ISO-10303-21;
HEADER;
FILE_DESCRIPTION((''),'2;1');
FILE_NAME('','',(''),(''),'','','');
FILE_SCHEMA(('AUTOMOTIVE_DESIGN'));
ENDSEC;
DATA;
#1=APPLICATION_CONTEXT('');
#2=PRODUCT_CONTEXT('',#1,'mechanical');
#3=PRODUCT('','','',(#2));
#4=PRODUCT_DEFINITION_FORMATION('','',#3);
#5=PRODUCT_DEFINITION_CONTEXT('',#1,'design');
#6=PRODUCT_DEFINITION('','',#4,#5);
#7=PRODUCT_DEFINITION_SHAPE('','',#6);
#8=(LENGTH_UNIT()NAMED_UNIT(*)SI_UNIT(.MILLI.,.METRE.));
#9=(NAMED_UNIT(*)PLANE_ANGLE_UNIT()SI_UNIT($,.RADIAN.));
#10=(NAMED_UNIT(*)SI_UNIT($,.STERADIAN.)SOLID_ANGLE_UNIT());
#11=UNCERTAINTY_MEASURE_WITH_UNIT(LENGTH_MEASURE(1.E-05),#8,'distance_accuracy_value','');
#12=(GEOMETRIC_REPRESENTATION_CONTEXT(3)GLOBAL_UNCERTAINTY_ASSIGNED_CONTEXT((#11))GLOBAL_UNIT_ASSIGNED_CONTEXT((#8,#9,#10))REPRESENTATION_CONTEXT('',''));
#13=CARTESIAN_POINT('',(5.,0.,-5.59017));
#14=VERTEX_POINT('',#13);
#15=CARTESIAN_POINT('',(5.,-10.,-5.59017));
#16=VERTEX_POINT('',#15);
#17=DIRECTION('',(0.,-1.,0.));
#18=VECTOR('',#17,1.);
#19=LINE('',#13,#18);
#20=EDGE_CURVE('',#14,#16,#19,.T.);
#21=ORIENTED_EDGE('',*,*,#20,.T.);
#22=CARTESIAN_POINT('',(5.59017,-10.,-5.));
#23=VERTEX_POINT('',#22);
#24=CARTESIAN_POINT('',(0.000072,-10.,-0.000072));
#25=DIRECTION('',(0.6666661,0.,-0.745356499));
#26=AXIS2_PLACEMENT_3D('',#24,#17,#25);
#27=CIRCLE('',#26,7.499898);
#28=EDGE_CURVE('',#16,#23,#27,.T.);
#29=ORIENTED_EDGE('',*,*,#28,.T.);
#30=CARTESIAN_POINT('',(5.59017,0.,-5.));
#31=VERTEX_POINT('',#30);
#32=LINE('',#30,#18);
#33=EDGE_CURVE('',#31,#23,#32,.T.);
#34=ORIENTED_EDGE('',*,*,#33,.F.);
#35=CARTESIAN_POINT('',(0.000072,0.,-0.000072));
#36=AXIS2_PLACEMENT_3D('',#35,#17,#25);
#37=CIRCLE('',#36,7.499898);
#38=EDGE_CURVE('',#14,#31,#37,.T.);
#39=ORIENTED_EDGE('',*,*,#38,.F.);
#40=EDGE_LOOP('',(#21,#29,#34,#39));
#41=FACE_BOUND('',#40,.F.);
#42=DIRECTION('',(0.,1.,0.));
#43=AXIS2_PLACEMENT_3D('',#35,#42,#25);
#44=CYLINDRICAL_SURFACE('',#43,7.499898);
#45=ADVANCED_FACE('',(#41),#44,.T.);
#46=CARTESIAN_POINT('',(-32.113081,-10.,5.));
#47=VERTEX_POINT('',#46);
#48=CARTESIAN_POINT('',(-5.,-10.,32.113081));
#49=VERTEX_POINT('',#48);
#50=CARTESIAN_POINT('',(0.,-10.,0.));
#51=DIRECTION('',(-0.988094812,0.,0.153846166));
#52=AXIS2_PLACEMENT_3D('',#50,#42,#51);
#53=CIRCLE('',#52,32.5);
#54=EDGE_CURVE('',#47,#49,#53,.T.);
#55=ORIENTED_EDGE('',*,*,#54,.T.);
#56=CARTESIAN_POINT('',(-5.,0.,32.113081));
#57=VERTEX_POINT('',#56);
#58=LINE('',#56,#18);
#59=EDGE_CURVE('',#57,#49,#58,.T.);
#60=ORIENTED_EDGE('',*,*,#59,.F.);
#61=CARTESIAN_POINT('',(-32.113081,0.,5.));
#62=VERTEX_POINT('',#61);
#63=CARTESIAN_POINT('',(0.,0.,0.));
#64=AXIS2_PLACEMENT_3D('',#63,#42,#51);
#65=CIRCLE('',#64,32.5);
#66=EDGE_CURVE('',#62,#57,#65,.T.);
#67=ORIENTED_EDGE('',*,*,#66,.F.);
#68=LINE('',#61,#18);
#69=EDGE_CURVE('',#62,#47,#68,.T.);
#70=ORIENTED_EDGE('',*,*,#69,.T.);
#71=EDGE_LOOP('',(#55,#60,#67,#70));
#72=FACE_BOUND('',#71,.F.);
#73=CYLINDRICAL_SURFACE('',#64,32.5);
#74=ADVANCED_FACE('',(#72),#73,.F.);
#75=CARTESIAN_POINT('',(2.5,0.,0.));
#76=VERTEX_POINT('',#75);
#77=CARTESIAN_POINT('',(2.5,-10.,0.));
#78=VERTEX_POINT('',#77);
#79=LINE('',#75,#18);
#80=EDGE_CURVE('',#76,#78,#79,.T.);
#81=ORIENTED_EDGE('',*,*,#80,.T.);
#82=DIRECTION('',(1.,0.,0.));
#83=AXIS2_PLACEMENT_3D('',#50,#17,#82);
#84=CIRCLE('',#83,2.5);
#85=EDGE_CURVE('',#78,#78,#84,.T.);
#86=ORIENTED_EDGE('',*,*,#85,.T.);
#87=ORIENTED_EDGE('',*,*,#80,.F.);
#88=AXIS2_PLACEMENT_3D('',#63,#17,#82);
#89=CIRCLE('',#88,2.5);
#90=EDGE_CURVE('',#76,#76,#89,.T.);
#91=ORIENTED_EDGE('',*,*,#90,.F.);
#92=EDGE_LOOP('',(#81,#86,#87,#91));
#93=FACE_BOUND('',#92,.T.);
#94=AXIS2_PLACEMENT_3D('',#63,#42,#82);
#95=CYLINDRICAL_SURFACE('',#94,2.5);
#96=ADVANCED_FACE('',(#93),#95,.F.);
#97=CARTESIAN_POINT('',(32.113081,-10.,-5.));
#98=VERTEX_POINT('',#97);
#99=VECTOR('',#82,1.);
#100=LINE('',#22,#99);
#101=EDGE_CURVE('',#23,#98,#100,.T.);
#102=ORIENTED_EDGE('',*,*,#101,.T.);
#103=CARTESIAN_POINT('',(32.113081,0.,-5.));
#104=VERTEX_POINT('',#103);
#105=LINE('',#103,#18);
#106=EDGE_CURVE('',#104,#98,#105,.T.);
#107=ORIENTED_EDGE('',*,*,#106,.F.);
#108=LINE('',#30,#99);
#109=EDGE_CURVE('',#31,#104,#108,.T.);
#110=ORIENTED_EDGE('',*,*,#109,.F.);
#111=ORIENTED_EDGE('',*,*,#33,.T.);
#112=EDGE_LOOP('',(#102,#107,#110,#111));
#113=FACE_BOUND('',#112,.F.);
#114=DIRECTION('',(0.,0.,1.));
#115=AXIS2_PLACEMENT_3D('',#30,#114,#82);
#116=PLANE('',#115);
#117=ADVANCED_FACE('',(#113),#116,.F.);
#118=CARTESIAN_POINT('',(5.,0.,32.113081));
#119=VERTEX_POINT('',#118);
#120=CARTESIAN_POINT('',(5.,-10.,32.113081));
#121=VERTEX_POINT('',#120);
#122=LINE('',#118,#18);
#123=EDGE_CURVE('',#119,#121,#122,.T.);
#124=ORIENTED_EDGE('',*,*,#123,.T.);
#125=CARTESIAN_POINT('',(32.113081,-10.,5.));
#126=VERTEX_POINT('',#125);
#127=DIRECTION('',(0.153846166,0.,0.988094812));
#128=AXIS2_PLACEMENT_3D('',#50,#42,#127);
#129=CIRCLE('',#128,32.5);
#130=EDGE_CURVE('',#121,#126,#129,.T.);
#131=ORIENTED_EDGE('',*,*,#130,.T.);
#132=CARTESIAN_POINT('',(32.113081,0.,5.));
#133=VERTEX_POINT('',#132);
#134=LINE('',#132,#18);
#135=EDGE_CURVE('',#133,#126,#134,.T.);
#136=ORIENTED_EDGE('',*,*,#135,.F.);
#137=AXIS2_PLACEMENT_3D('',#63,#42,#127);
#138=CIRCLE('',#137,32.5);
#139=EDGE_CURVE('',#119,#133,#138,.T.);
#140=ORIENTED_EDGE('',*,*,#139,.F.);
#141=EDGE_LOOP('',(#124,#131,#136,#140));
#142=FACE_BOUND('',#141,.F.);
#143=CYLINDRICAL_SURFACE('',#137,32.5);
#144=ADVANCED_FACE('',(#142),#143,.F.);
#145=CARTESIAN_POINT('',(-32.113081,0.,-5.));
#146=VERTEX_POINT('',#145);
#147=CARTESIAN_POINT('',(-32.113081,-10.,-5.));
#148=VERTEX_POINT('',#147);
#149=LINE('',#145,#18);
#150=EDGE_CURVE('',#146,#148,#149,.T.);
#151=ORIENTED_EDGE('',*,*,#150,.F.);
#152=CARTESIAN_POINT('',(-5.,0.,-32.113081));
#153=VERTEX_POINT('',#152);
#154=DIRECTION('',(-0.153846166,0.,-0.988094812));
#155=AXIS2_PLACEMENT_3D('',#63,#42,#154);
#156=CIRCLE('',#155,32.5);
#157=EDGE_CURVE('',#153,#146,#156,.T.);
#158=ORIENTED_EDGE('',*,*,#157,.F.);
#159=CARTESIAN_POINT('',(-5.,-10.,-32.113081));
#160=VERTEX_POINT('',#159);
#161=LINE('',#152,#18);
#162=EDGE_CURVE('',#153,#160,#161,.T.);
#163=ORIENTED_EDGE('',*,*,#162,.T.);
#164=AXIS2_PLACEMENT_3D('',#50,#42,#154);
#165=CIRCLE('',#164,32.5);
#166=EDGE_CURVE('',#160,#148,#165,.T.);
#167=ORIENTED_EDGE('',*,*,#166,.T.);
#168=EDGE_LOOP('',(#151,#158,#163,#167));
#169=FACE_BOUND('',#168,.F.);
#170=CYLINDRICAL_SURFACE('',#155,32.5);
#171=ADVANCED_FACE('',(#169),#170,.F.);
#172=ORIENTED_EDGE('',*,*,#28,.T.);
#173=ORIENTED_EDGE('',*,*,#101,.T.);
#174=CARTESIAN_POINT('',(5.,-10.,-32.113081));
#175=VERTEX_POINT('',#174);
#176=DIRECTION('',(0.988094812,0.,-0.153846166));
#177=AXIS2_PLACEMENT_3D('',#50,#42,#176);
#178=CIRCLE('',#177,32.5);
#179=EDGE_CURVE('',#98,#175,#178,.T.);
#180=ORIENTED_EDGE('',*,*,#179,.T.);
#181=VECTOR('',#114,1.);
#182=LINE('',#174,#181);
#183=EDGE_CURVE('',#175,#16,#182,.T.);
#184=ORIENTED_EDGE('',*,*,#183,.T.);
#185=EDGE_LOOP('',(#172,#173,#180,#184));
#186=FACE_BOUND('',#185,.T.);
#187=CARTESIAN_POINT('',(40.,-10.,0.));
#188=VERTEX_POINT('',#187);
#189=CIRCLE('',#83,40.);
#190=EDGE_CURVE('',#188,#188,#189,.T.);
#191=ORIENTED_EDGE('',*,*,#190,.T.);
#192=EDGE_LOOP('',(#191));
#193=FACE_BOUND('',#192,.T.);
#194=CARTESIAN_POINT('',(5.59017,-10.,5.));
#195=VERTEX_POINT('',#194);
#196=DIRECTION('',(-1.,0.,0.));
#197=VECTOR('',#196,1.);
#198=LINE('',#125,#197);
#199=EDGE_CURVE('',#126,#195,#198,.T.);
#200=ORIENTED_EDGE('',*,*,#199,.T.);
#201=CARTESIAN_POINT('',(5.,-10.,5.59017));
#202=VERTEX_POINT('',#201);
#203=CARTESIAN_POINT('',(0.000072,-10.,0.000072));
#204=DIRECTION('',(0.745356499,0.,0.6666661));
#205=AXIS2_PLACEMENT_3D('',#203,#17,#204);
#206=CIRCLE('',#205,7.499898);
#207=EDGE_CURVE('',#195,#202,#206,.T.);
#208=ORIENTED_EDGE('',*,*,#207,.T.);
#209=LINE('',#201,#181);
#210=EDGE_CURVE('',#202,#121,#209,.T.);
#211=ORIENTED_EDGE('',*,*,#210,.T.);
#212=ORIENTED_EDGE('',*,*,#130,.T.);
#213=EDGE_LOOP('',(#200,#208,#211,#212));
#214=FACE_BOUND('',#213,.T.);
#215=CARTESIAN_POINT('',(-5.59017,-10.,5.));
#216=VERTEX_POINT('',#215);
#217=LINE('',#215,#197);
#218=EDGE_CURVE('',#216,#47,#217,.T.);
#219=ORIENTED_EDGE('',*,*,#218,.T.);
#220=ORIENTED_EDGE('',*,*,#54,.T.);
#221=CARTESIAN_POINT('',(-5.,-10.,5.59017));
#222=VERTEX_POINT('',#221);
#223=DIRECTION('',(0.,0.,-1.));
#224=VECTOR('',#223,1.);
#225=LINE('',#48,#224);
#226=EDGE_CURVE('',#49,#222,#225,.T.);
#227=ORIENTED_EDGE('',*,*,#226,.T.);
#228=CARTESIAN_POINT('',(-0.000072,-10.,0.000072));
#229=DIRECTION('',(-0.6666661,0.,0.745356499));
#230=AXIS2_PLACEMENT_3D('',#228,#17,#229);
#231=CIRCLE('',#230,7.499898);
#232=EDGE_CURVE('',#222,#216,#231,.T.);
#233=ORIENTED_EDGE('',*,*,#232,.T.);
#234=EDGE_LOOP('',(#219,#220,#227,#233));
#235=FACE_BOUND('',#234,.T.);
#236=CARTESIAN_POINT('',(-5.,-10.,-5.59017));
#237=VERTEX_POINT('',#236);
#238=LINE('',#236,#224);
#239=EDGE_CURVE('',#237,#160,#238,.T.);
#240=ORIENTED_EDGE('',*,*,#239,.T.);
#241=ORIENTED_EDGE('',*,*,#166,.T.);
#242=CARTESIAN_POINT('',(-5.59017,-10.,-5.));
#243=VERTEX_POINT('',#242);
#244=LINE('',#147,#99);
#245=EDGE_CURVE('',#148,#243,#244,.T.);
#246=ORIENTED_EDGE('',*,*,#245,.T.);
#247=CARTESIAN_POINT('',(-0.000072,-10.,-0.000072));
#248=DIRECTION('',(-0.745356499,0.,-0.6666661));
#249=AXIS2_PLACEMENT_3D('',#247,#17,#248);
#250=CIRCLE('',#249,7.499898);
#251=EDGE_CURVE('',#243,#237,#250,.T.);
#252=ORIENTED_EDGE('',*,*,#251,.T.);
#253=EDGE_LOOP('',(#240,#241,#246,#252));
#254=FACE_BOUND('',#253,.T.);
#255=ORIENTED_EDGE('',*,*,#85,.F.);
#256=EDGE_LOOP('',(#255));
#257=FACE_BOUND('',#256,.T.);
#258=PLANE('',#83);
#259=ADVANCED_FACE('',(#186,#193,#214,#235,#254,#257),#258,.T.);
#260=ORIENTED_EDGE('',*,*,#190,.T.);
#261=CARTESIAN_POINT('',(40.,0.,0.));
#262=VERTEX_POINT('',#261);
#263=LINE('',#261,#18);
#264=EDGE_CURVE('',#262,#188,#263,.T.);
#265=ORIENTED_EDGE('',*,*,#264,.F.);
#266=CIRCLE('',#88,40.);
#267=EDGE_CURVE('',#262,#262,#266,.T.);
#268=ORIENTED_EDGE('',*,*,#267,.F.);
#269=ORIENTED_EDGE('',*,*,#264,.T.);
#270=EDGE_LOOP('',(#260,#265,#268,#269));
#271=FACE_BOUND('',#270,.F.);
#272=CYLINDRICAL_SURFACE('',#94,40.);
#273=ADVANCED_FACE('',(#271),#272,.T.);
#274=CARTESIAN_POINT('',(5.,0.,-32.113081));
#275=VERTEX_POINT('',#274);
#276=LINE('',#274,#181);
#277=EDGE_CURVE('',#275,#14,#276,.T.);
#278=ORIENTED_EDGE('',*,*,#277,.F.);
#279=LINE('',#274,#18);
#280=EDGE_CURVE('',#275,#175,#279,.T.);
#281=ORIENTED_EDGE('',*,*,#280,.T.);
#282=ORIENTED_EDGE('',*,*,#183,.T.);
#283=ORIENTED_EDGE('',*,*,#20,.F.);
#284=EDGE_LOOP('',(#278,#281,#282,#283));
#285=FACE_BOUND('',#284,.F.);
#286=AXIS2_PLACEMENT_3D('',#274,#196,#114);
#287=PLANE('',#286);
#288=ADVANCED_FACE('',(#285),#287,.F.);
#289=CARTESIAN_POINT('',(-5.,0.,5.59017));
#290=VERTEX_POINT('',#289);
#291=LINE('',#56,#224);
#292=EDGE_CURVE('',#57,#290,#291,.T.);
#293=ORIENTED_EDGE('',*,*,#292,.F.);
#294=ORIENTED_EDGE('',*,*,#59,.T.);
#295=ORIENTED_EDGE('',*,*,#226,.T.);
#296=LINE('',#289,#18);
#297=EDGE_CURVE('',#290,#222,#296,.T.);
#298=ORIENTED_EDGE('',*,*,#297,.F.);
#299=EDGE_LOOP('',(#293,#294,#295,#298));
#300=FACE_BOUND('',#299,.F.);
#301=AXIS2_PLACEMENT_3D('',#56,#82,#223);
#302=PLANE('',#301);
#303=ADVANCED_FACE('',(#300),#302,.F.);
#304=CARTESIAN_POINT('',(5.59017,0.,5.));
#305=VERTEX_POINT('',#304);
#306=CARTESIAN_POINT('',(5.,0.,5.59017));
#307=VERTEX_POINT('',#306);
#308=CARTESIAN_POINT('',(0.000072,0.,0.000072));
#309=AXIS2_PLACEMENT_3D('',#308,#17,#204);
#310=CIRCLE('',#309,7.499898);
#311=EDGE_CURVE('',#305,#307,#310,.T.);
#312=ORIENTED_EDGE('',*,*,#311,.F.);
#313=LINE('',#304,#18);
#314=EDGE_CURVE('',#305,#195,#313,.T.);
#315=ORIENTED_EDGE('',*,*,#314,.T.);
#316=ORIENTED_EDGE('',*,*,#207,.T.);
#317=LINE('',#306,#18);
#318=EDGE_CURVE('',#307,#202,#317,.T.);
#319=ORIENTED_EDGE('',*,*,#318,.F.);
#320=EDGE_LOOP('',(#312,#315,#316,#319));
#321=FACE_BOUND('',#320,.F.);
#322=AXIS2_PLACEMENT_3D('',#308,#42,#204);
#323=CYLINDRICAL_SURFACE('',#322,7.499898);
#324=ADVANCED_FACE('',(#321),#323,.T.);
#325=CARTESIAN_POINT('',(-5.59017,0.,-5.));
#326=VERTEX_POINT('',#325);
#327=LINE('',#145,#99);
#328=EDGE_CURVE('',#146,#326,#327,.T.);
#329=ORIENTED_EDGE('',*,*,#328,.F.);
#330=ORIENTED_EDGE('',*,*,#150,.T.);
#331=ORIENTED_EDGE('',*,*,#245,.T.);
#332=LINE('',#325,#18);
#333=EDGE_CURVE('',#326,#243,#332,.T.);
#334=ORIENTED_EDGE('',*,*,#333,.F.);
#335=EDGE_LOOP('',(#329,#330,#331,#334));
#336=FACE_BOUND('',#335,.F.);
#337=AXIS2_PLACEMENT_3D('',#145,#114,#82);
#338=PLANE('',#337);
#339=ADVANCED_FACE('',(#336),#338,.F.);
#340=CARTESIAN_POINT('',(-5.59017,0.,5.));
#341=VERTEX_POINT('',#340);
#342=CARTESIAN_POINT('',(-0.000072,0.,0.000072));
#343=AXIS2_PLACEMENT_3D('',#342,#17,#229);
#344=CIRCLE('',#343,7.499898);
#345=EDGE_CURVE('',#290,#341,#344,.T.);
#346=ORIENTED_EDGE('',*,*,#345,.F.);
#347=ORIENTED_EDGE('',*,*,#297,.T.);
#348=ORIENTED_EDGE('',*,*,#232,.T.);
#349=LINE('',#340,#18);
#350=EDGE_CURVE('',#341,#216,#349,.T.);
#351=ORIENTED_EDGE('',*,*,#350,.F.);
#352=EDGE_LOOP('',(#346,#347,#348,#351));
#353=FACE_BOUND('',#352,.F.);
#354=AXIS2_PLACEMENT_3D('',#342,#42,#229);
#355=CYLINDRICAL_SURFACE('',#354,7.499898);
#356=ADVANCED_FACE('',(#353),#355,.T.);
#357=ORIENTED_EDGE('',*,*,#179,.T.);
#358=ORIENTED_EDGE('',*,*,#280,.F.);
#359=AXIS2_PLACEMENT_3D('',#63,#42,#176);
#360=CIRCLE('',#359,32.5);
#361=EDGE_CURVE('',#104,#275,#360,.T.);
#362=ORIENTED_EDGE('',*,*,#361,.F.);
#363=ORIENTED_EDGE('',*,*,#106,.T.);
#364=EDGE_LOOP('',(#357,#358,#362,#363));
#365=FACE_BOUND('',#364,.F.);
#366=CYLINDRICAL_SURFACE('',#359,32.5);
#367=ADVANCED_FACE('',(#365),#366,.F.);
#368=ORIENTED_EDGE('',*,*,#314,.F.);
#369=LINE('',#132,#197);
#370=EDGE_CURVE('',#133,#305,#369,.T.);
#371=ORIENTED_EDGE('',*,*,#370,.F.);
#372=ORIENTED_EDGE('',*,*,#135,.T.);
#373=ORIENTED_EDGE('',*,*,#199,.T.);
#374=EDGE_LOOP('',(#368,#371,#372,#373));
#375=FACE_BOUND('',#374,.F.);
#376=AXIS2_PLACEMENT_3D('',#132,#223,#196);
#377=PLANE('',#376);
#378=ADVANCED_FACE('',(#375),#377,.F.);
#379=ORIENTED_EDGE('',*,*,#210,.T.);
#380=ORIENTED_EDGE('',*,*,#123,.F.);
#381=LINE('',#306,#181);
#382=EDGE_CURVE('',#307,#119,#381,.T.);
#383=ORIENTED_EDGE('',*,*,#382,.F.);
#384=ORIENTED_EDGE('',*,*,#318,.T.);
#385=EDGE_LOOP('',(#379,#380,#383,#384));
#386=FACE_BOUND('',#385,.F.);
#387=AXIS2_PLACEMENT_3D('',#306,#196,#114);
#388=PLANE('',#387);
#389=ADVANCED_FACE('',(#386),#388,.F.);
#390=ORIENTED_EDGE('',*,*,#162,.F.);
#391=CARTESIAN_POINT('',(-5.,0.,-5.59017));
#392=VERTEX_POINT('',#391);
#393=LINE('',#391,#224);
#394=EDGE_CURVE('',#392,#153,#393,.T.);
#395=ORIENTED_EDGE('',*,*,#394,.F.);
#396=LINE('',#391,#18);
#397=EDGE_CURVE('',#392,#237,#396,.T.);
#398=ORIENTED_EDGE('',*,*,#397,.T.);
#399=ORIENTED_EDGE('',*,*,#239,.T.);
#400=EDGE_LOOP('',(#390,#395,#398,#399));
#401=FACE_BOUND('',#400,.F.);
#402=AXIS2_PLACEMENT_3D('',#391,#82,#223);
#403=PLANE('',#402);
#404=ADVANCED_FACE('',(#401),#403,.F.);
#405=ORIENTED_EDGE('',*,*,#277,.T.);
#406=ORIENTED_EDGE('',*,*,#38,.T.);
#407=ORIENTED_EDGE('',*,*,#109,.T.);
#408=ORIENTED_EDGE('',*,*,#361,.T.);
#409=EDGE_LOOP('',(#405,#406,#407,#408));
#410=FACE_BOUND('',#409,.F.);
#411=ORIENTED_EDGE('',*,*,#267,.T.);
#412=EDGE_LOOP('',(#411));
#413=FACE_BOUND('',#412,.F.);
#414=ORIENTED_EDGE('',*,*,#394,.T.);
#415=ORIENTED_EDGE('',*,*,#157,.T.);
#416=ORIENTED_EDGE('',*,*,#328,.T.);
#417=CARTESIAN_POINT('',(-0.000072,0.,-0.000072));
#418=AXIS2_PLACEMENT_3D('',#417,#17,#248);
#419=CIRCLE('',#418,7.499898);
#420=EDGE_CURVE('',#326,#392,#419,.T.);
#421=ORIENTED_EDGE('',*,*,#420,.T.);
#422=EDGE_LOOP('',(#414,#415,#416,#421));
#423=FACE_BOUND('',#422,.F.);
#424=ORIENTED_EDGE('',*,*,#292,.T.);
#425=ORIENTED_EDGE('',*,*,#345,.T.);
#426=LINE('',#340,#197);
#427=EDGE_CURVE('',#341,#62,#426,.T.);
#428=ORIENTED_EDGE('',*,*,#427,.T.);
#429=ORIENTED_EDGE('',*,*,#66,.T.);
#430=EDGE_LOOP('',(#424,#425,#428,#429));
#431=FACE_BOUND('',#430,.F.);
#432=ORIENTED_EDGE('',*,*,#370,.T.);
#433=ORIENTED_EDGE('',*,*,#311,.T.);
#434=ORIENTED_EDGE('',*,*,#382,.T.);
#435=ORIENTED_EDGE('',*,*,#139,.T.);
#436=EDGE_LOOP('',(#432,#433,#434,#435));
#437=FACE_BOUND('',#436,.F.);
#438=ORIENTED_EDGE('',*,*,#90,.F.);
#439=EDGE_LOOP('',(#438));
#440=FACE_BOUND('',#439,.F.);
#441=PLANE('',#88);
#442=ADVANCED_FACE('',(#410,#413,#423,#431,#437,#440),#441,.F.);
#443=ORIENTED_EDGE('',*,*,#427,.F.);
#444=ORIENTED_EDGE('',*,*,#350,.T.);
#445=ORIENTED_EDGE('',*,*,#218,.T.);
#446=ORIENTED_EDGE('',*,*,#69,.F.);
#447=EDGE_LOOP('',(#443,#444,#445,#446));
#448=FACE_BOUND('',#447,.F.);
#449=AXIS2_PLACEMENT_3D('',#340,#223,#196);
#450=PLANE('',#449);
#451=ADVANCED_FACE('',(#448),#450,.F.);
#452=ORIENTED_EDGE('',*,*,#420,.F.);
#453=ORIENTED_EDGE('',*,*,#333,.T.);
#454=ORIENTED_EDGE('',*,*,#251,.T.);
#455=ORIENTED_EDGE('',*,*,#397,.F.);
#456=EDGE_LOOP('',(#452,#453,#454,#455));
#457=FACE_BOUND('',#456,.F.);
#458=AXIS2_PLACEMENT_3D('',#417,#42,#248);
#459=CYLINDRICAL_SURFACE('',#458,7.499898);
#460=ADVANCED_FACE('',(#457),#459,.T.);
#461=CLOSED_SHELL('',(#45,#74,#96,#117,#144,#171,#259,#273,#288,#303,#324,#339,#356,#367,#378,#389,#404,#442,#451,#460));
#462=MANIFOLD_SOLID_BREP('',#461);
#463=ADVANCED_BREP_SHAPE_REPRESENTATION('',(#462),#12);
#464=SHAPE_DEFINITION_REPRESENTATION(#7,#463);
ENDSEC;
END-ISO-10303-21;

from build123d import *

# Parameters (mm, degrees)
F0_R     = 40
F0_R_2   = 2.5
F1_DEPTH = 10


with BuildPart() as f1:
    # F0 (on Front) → F1 (new body)
    with BuildSketch(Plane.XZ):
        Circle(F0_R)
        with BuildLine():
            ThreePointArc((-5.59017, -5), (-5.303301, -5.303301), (-5, -5.59017))
            Line((-5, -5.59017), (-5, -32.113081))
            ThreePointArc((-5, -32.113081), (-22.98097, -22.98097), (-32.113081, -5))
            Line((-32.113081, -5), (-5.59017, -5))
        make_face(mode=Mode.SUBTRACT)
        with BuildLine():
            Line((5.59017, -5), (32.113081, -5))
            ThreePointArc((32.113081, -5), (22.98097, -22.98097), (5, -32.113081))
            Line((5, -32.113081), (5, -5.59017))
            ThreePointArc((5, -5.59017), (5.303301, -5.303301), (5.59017, -5))
        make_face(mode=Mode.SUBTRACT)
        with BuildLine():
            ThreePointArc((-32.113081, 5), (-22.98097, 22.98097), (-5, 32.113081))
            Line((-5, 32.113081), (-5, 5.59017))
            ThreePointArc((-5, 5.59017), (-5.303301, 5.303301), (-5.59017, 5))
            Line((-5.59017, 5), (-32.113081, 5))
        make_face(mode=Mode.SUBTRACT)
        Circle(F0_R_2, mode=Mode.SUBTRACT)
        with BuildLine():
            Line((32.113081, 5), (5.59017, 5))
            ThreePointArc((5.59017, 5), (5.303301, 5.303301), (5, 5.59017))
            Line((5, 5.59017), (5, 32.113081))
            ThreePointArc((5, 32.113081), (22.98097, 22.98097), (32.113081, 5))
        make_face(mode=Mode.SUBTRACT)
    extrude(amount=F1_DEPTH)


solid = f1.part
